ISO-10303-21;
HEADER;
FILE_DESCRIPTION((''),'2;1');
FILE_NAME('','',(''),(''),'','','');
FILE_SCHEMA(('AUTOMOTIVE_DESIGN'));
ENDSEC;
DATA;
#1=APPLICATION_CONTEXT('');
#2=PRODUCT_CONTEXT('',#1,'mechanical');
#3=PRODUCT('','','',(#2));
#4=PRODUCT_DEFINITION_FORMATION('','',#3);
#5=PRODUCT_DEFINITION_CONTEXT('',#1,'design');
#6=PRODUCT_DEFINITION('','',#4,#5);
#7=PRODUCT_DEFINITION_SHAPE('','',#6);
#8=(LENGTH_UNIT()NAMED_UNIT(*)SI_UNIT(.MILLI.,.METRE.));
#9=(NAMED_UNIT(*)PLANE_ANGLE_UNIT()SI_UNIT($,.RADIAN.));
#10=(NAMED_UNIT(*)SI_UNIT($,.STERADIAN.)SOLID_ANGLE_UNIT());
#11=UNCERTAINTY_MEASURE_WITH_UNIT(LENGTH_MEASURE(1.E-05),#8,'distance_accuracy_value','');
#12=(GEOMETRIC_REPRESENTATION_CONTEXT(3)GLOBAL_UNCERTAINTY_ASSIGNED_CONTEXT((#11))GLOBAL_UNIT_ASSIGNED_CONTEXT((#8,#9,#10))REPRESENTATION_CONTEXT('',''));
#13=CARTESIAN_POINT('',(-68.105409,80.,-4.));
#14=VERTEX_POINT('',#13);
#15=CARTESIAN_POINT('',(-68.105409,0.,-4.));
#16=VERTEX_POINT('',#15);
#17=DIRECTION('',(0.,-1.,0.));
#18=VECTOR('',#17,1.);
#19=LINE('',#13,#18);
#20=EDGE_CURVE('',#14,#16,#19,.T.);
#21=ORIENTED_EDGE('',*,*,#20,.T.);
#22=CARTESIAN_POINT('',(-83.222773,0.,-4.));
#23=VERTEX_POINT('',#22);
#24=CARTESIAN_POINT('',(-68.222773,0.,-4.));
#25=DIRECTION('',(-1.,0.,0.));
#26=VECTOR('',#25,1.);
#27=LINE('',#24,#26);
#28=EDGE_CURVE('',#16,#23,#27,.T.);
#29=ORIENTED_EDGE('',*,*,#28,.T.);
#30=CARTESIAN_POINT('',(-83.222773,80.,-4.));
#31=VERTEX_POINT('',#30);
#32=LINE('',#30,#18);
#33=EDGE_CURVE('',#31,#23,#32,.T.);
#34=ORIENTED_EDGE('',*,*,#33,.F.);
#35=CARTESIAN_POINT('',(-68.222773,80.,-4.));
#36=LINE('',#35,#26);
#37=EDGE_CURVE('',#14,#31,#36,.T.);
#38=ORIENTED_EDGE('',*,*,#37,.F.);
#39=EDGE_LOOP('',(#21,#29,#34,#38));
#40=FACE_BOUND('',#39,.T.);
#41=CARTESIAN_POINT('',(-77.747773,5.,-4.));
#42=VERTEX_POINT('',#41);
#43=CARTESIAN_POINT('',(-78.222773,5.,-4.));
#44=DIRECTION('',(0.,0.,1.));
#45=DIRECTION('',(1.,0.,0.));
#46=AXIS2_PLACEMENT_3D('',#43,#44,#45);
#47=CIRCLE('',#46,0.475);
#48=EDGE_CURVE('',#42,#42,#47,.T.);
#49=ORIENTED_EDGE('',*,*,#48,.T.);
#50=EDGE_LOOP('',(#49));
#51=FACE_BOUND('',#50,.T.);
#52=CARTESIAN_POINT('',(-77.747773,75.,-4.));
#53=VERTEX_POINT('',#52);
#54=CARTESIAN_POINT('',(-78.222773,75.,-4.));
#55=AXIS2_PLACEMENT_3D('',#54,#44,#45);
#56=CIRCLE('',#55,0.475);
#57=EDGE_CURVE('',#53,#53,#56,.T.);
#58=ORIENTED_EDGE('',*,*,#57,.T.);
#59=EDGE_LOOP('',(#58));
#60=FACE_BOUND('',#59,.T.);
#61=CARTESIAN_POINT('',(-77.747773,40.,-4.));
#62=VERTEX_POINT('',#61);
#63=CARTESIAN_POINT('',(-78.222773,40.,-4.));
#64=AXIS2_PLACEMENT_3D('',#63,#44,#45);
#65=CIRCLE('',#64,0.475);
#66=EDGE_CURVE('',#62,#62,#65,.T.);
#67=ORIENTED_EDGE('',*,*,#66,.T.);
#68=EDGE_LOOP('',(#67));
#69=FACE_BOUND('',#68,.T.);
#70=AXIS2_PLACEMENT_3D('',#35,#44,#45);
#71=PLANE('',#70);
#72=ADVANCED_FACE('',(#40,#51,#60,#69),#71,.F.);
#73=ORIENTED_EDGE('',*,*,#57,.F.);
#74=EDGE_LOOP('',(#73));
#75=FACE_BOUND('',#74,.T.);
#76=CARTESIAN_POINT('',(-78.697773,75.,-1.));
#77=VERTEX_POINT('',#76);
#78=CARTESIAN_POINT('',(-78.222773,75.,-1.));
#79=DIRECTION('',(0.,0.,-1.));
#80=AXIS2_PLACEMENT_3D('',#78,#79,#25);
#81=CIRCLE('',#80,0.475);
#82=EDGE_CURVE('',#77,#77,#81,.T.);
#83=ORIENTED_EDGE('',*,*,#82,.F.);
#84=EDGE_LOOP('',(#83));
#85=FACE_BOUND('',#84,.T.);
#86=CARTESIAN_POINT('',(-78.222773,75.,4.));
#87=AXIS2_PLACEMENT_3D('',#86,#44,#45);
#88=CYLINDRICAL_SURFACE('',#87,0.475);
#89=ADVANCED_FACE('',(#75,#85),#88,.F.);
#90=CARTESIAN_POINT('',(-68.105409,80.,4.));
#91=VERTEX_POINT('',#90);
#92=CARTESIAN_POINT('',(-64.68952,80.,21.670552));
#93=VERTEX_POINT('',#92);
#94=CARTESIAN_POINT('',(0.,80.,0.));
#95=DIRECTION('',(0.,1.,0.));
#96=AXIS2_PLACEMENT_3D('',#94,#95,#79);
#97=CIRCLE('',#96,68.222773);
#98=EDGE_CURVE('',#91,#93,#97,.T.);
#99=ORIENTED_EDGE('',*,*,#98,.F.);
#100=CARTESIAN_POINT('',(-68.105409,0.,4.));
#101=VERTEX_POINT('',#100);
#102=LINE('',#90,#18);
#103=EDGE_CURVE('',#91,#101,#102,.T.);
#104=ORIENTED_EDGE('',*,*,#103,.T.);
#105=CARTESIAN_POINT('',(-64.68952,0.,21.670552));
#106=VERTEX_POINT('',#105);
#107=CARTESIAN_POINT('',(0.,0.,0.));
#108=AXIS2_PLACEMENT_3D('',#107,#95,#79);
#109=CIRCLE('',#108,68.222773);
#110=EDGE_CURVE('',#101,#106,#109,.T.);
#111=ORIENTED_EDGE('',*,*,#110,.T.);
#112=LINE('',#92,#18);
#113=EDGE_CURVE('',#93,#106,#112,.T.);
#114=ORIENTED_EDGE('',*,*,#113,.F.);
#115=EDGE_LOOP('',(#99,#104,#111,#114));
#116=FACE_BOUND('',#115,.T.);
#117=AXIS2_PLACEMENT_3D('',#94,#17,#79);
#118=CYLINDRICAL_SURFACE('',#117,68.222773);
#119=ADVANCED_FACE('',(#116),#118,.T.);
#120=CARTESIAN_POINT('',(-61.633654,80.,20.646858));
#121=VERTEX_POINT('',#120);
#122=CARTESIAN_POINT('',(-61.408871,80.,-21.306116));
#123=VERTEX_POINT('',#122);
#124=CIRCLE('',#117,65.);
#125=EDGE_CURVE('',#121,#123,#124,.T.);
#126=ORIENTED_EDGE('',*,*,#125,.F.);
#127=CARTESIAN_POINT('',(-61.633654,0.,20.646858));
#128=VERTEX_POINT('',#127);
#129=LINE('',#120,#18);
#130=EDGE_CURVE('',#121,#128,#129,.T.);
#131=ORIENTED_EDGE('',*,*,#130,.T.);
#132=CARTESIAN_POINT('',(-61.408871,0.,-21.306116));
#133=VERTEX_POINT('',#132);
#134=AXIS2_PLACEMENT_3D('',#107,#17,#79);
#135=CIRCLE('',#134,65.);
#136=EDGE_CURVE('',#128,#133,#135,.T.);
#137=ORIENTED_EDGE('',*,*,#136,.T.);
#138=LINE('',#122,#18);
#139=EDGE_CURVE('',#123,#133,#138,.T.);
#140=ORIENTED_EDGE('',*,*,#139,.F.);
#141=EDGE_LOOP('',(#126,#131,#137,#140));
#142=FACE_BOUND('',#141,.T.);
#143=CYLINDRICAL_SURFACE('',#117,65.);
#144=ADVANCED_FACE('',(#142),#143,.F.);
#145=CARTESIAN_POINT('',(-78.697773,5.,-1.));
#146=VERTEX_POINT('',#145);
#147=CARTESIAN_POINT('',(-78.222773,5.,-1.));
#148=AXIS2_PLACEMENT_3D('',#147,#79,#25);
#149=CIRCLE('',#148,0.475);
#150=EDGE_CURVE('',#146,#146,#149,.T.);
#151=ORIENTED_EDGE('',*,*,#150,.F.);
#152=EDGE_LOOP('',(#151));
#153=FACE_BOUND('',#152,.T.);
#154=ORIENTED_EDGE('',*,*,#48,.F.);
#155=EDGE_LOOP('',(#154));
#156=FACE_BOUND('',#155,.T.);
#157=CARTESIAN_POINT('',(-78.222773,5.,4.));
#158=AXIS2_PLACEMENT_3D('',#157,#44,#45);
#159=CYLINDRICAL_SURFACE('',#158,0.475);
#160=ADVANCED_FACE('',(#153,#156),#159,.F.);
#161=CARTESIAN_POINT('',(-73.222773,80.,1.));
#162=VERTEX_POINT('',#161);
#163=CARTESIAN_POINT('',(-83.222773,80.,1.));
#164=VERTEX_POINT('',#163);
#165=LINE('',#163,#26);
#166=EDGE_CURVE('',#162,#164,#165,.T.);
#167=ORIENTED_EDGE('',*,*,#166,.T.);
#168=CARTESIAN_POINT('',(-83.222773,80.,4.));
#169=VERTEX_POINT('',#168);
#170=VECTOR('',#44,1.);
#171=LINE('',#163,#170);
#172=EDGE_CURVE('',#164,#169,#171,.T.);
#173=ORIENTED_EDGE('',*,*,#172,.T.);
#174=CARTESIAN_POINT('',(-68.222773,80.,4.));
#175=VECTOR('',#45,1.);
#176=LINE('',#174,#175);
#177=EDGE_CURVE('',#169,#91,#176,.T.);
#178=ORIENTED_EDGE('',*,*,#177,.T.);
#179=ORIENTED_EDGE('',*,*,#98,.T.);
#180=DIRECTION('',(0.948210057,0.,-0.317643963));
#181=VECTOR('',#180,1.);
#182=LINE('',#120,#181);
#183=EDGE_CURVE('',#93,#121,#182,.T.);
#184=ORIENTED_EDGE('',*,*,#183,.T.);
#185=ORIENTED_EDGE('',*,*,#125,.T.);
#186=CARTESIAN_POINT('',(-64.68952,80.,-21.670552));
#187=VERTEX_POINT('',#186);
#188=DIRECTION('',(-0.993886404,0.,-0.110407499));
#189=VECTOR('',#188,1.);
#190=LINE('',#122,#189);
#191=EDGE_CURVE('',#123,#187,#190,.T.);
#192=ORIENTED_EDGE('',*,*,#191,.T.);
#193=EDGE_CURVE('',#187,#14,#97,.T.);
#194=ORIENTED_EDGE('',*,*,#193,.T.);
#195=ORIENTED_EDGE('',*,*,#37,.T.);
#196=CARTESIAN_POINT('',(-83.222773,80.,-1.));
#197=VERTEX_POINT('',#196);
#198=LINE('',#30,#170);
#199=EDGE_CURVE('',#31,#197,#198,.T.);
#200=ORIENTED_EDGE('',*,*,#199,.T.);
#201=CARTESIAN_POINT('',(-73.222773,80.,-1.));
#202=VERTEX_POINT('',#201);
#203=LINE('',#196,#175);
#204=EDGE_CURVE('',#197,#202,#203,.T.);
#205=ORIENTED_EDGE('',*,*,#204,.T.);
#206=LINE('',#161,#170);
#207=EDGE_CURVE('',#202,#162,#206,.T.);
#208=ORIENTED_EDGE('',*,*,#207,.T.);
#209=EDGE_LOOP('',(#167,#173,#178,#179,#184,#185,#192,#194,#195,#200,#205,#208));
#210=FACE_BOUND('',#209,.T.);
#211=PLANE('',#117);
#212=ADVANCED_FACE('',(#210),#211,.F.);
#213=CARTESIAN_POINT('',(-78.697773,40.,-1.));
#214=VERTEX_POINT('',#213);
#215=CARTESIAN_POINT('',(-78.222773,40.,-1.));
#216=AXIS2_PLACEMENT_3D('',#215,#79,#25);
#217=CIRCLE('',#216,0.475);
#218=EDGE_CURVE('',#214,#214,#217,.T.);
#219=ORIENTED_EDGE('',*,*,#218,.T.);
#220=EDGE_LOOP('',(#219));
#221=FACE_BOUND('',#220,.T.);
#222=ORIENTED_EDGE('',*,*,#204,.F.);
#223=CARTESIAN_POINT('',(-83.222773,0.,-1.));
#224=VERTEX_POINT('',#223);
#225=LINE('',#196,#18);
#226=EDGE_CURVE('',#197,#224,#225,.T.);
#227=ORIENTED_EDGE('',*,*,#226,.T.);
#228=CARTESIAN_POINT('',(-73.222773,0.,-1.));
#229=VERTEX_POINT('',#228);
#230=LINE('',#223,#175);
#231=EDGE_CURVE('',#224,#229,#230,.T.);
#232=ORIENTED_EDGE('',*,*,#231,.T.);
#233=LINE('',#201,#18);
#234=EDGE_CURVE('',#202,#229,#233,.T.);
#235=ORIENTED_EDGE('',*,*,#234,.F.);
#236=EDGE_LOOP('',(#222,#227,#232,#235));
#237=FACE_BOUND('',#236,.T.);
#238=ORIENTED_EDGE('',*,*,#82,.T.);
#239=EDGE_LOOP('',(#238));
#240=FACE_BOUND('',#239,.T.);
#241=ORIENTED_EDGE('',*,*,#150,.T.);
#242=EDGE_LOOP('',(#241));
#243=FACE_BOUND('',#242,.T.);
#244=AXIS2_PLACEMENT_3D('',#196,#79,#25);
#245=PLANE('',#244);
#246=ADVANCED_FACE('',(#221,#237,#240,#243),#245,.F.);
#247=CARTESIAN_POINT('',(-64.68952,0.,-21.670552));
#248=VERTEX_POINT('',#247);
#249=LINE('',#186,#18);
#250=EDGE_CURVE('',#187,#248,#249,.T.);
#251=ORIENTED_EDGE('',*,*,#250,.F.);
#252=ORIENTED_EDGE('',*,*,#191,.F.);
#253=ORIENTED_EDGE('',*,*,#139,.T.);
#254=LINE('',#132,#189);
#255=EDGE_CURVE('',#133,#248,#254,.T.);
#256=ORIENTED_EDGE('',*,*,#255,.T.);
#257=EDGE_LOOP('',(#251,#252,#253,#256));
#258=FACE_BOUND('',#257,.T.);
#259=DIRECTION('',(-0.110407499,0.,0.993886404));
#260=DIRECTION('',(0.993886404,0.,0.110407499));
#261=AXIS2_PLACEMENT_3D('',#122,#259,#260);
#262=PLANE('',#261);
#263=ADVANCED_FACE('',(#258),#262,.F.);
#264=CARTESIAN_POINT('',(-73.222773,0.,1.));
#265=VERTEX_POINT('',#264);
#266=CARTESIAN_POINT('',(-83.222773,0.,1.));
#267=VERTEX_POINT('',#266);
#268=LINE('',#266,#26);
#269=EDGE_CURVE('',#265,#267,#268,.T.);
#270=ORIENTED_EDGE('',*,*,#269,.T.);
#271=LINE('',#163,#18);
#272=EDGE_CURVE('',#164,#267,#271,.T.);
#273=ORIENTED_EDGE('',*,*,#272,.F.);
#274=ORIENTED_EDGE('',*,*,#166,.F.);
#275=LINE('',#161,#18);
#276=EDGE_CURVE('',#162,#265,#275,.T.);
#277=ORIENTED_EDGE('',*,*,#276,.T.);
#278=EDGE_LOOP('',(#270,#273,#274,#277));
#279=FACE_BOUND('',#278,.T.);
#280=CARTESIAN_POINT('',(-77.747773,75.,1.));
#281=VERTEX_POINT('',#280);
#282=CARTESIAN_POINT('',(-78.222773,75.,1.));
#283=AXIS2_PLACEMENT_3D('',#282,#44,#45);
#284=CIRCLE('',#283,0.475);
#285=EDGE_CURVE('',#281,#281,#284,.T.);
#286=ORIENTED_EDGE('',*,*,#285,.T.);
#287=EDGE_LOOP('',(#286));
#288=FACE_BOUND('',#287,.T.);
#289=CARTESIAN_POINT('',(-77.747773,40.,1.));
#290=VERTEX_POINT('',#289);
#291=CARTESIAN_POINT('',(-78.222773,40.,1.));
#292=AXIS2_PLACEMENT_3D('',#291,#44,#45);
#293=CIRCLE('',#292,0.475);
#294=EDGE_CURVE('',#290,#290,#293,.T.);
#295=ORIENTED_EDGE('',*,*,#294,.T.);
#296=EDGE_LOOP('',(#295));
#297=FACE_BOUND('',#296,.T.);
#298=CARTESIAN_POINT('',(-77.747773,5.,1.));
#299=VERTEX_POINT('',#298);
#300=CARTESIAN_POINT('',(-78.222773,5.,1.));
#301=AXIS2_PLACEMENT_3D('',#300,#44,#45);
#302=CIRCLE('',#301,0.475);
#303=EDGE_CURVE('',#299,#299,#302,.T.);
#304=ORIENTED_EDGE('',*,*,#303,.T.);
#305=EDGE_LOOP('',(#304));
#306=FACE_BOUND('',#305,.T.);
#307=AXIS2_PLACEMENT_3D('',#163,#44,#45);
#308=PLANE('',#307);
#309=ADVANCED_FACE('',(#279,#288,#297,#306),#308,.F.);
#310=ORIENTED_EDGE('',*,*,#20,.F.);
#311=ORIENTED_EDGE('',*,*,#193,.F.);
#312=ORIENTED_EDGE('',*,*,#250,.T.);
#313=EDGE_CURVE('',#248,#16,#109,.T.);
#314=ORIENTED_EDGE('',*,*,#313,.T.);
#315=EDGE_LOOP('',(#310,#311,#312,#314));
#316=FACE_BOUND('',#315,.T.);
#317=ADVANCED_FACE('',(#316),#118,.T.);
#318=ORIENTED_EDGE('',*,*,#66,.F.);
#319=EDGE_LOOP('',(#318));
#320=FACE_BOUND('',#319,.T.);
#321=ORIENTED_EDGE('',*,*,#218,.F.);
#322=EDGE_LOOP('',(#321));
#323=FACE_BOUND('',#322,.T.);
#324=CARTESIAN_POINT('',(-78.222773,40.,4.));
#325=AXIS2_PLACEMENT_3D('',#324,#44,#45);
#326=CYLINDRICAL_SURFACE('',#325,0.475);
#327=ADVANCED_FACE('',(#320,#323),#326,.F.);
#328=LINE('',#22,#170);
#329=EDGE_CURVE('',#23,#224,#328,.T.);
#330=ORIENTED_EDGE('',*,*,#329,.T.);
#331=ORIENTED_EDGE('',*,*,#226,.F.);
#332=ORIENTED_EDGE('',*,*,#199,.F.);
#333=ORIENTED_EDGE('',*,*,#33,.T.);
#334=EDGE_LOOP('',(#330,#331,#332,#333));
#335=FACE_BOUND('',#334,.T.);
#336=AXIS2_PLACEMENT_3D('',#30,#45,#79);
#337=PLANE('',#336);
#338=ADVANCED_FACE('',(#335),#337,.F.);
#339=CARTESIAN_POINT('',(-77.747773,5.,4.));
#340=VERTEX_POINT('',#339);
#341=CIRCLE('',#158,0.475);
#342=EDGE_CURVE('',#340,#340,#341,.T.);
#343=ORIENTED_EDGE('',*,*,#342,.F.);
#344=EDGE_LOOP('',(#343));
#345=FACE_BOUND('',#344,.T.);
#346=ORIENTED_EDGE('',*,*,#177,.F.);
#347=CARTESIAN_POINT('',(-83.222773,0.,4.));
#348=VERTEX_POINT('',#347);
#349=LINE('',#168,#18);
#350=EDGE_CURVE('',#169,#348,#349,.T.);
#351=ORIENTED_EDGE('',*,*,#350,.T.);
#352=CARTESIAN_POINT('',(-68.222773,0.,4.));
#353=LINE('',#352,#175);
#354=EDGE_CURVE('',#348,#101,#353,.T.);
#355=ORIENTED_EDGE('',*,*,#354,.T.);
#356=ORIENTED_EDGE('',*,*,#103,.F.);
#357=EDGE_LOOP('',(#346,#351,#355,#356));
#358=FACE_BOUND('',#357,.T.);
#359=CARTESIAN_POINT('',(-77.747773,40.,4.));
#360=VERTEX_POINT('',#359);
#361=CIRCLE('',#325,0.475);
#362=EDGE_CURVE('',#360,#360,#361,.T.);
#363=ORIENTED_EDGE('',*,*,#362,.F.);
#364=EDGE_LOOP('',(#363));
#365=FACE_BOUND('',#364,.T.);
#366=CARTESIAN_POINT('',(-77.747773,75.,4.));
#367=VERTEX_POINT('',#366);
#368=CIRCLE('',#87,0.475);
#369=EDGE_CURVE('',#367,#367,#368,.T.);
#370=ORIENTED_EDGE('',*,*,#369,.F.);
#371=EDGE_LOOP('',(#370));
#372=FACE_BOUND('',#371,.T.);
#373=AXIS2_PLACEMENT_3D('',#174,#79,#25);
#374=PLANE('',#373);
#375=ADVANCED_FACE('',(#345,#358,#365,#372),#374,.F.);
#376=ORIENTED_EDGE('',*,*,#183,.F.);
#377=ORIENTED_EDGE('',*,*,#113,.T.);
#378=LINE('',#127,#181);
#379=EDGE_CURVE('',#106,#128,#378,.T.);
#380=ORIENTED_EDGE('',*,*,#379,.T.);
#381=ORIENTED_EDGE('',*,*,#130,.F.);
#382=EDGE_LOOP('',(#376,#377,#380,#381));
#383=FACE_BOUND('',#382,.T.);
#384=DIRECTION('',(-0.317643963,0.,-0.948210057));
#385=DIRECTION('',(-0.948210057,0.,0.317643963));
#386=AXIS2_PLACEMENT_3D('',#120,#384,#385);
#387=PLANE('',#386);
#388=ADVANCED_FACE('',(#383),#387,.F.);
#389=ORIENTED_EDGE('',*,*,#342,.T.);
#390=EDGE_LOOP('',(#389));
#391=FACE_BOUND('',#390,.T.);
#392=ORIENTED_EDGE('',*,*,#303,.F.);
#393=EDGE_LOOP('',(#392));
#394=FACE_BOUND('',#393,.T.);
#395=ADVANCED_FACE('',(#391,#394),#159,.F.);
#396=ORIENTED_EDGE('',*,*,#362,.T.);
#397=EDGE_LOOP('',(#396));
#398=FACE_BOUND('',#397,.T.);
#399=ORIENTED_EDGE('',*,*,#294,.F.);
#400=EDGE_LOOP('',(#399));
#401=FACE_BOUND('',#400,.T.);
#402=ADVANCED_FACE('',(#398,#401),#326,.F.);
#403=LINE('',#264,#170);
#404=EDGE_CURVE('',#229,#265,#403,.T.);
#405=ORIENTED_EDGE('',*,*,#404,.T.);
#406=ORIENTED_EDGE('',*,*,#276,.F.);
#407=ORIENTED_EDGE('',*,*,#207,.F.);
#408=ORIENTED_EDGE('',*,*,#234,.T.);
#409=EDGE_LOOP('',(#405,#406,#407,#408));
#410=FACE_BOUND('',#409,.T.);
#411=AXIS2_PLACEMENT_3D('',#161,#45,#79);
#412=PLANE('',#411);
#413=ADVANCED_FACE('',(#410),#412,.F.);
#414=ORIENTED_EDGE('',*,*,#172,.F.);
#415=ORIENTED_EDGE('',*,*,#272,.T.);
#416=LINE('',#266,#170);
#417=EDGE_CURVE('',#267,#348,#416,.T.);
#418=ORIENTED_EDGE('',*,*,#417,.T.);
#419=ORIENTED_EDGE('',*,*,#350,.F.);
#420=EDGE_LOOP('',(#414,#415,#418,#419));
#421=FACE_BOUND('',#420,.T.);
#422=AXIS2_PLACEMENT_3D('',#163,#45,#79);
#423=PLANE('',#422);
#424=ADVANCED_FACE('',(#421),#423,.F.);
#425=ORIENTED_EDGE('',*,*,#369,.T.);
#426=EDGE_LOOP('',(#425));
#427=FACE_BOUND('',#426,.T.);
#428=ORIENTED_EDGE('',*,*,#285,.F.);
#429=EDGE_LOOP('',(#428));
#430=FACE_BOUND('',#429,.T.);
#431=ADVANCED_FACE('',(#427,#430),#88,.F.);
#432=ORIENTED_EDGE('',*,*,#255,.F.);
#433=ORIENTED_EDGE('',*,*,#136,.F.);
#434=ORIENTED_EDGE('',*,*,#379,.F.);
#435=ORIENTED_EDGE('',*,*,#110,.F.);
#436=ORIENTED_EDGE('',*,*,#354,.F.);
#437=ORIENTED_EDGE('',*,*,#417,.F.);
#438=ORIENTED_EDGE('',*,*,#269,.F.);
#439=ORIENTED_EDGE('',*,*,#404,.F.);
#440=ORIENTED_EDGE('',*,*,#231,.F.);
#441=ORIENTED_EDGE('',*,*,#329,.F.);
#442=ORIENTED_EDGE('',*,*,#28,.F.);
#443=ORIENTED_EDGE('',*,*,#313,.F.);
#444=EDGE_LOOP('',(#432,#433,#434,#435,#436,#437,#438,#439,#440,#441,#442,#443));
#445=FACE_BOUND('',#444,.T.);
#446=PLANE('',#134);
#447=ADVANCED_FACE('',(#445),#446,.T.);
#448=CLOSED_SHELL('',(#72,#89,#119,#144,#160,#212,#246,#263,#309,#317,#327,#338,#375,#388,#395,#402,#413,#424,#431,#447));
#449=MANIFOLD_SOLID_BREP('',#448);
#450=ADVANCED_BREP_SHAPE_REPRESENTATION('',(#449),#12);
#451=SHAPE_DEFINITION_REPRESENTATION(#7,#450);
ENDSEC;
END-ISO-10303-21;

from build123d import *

# Parameters (mm, degrees)
BOSS_EXTRUDE1_DEPTH      = 80
M1_2X0_25_TAPPED_HOLE2_D = 0.95


with BuildPart() as part:
    # Sketch1 → Boss-Extrude1 (new body)
    with BuildSketch(Plane(origin=(0, 0, 0), x_dir=(1, 0, 0), z_dir=(0, 1, 0))):
        with BuildLine():
            Line((-61.633653719, -20.646857612), (-64.689519502, -21.670552005))
            ThreePointArc((-64.689519502, -21.670552005), (-66.98272443, -12.948412474), (-68.105409166, -4))
            Line((-68.105409166, -4), (-68.222773013, -4))
            Line((-68.222773013, -4), (-83.222773013, -4))
            Line((-83.222773013, -4), (-83.222773013, -1))
            Line((-83.222773013, -1), (-73.222773013, -1))
            Line((-73.222773013, -1), (-73.222773013, 1))
            Line((-73.222773013, 1), (-83.222773013, 1))
            Line((-83.222773013, 1), (-83.222773013, 4))
            Line((-83.222773013, 4), (-68.222773013, 4))
            Line((-68.222773013, 4), (-68.105409166, 4))
            ThreePointArc((-68.105409166, 4), (-66.98272443, 12.948412474), (-64.689519502, 21.670552005))
            Line((-64.689519502, 21.670552005), (-61.40887094, 21.306115786))
            ThreePointArc((-61.40887094, 21.306115786), (-64.999067015, 0.348263061), (-61.633653719, -20.646857612))
        make_face()
    extrude(amount=BOSS_EXTRUDE1_DEPTH)

    # M1.2x0.25 Tapped Hole2 (through all)
    with Locations(Plane.XY.offset(4)):
        with Locations((-78.222773013, 75), (-78.222773013, 40), (-78.222773013, 5)):
            Hole(M1_2X0_25_TAPPED_HOLE2_D / 2)


solid = part.part
